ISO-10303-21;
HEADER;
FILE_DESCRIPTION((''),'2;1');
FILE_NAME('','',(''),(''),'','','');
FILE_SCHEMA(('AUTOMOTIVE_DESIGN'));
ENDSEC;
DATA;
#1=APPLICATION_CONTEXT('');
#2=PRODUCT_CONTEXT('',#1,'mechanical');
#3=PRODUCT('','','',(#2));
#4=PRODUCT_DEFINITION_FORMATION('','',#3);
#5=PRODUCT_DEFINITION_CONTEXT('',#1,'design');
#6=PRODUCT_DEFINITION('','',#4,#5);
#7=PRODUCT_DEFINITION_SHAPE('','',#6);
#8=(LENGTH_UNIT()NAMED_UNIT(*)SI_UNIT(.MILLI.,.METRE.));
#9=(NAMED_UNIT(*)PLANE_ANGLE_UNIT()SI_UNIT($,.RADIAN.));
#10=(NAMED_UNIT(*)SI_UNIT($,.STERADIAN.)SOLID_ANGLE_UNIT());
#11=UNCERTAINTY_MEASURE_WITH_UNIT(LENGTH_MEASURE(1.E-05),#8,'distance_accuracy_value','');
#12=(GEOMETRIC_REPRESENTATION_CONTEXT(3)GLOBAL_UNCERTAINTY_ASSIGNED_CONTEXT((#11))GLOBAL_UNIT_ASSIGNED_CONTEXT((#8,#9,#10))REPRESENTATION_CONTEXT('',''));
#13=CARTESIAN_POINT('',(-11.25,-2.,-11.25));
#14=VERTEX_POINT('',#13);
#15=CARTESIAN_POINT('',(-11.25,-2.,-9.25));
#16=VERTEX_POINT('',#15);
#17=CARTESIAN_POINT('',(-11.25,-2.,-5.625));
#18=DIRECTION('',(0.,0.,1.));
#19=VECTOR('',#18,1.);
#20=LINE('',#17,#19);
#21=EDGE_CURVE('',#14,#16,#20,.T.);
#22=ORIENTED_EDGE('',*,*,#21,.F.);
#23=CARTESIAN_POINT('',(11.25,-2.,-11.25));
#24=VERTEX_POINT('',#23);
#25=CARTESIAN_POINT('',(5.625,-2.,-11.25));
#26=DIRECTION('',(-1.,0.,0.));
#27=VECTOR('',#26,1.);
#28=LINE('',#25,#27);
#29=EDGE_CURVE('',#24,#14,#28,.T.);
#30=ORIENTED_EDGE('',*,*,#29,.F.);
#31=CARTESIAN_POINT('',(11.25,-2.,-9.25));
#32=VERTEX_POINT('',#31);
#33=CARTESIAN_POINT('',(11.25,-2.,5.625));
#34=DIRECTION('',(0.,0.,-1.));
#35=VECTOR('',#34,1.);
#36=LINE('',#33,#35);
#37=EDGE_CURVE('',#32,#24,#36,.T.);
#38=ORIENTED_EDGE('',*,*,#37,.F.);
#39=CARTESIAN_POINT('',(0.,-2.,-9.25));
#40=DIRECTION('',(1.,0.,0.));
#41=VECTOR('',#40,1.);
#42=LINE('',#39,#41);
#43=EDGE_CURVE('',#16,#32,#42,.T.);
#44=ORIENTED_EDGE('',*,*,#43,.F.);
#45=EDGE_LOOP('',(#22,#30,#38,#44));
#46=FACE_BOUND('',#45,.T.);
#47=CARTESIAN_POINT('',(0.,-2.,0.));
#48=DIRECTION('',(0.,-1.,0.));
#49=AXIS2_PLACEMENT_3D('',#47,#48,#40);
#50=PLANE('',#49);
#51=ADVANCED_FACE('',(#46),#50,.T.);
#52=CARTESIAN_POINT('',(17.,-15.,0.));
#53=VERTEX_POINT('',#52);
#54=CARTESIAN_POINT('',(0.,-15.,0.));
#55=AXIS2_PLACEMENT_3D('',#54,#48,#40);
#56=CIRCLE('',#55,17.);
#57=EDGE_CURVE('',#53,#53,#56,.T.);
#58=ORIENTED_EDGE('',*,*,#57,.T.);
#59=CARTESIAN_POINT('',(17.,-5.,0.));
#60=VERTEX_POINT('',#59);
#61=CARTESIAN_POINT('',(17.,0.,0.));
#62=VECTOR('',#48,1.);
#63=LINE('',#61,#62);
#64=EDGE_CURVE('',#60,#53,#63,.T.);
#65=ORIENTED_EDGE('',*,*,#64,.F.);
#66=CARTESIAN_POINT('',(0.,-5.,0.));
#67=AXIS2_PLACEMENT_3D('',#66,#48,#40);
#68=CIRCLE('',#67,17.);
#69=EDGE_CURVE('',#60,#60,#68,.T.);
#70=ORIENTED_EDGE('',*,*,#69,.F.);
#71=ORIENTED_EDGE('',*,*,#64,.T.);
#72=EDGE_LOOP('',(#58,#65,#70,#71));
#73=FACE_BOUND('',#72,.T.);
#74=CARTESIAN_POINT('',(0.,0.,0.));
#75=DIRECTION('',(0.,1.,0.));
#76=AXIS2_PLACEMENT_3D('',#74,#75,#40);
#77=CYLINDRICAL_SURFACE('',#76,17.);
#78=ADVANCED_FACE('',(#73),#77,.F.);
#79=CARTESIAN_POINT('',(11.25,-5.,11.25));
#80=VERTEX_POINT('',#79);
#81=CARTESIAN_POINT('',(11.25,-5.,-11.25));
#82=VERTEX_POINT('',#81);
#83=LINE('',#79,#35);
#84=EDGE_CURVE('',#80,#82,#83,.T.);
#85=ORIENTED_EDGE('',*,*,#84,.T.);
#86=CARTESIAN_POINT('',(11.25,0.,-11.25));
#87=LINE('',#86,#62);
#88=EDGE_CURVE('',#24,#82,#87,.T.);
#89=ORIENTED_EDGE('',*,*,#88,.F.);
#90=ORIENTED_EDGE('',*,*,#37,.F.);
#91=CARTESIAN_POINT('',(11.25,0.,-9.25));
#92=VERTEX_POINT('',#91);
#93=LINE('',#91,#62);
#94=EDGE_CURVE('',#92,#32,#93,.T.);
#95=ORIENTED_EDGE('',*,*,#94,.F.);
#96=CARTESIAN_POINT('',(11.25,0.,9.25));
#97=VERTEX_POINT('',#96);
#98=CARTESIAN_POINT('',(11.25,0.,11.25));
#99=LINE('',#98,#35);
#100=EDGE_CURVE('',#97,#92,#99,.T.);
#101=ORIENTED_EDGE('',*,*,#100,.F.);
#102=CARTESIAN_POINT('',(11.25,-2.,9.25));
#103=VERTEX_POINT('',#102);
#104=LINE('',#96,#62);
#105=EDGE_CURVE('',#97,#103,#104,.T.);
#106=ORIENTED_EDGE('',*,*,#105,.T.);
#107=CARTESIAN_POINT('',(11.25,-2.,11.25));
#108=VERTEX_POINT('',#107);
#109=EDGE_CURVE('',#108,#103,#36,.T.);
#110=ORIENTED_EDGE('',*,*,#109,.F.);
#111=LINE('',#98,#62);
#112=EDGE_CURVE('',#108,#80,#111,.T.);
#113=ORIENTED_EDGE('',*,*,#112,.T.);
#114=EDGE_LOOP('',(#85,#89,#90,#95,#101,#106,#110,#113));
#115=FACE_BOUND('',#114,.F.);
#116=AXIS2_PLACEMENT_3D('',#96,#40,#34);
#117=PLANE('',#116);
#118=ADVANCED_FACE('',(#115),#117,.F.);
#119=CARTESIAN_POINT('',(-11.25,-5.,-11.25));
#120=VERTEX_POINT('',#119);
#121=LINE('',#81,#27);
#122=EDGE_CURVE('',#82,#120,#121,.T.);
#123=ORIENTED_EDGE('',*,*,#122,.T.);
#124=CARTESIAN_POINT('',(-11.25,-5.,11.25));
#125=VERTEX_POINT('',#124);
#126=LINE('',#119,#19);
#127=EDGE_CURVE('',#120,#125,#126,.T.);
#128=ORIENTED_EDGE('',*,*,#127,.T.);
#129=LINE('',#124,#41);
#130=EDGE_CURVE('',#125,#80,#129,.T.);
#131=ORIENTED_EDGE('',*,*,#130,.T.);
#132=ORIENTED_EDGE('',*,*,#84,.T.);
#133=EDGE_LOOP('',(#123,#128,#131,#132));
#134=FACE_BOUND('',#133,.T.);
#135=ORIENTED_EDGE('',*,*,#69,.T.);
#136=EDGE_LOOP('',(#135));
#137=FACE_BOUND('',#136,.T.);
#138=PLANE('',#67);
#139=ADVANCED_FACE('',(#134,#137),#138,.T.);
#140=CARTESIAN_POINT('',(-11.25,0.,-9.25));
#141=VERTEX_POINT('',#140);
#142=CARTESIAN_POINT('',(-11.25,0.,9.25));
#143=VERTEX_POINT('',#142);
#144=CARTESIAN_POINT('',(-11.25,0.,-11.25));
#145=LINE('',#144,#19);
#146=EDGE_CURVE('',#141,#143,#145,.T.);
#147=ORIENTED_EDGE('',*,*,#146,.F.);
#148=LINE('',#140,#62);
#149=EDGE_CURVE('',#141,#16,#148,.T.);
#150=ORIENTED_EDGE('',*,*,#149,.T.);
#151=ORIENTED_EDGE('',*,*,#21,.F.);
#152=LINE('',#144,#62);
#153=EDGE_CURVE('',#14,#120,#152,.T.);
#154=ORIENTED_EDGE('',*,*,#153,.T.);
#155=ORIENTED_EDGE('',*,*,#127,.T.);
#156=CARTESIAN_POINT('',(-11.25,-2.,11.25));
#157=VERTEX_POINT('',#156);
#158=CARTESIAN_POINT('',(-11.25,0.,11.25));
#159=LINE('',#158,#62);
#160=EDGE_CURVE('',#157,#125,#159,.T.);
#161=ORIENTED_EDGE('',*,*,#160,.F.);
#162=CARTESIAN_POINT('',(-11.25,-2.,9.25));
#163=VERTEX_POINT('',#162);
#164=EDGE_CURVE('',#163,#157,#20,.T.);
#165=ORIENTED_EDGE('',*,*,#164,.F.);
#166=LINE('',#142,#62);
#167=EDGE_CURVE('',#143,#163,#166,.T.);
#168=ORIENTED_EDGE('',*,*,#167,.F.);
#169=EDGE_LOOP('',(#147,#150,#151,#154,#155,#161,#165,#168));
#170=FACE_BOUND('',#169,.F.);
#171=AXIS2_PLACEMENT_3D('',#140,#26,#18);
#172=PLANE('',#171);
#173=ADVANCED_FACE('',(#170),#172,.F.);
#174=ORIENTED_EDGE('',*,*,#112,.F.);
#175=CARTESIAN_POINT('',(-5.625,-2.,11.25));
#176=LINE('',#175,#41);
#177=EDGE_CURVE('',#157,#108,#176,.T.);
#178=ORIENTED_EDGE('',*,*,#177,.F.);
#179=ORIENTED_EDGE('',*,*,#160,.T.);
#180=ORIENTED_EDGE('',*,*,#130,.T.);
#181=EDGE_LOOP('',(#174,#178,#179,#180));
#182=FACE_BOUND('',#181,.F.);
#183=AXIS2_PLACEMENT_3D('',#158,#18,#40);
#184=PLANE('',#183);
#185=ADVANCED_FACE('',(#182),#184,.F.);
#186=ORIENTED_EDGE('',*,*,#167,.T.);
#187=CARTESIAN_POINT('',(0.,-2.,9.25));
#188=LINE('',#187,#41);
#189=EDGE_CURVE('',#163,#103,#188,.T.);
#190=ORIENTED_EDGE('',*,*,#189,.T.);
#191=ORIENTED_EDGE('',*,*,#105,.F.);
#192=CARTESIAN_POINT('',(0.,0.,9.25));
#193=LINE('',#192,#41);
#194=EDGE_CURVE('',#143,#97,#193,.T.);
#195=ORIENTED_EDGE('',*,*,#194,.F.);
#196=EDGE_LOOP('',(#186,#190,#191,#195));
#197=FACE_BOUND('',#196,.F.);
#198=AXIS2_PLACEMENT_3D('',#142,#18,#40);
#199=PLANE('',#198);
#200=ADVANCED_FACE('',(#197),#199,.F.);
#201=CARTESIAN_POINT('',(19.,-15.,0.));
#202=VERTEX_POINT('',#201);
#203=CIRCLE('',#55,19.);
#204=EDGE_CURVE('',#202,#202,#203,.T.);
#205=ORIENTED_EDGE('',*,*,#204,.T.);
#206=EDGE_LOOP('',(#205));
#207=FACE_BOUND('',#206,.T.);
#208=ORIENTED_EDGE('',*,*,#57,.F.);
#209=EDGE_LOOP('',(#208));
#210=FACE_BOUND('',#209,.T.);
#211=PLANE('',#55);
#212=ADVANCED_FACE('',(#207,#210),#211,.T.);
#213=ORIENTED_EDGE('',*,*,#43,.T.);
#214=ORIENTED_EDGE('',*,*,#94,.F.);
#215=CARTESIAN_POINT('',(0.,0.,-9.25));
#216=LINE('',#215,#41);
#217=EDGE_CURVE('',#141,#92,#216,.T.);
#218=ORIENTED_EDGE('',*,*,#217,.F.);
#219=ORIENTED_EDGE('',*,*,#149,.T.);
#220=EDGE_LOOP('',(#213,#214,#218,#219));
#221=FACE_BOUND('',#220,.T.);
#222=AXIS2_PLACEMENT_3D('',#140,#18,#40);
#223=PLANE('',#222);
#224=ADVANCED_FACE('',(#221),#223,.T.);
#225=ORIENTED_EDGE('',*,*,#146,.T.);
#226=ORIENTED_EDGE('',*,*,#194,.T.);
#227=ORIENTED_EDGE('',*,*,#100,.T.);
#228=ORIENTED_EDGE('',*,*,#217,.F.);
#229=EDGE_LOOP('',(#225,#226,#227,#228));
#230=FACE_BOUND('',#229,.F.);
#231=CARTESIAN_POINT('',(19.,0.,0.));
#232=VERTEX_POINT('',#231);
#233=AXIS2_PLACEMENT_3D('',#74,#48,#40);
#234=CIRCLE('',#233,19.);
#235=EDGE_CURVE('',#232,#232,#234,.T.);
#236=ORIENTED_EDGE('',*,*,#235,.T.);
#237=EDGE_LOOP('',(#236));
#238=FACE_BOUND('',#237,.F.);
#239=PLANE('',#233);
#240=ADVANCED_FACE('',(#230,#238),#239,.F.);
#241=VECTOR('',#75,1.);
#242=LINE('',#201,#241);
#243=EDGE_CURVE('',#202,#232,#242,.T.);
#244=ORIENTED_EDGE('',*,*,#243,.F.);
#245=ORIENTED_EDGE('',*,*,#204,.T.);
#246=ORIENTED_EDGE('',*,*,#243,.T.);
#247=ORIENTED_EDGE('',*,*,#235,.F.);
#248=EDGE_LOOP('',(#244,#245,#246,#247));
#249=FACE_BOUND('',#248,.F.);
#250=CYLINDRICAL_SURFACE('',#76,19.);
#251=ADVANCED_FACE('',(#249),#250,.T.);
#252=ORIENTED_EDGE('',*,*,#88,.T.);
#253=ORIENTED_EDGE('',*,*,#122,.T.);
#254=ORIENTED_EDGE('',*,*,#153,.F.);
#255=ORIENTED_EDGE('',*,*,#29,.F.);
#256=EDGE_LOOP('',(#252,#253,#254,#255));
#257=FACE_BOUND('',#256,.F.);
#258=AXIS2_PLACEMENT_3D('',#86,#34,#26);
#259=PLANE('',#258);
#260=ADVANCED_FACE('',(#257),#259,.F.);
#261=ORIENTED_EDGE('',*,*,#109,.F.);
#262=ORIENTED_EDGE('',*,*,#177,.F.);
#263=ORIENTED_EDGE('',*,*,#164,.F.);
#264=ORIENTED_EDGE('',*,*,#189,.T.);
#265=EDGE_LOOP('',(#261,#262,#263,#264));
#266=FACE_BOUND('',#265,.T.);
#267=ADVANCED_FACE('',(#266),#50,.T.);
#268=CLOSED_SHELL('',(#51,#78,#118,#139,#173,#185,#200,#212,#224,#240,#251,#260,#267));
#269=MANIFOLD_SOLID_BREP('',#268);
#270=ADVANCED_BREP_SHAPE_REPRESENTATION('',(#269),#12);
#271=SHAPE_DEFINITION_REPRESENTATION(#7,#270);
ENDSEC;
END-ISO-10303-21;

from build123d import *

# Parameters (mm, degrees)
F0_R     = 17
F1_DEPTH = 5
F0_R_2   = 19
F0_W     = 22.5
F0_H     = 2
F2_DEPTH = 2
F3_DEPTH = 2
F4_DEPTH = 15


with BuildPart() as f1:
    # F0 (on Front) → F1 (new body)
    with BuildSketch(Plane.XZ):
        Circle(F0_R)
        Polygon((11.25, -9.25), (11.25, -11.25), (-11.25, -11.25), (-11.25, -9.25), (-11.25, 9.25), (-11.25, 11.25), (11.25, 11.25), (11.25, 9.25), align=None, mode=Mode.SUBTRACT)
    extrude(amount=F1_DEPTH)

    # F0 (on Front) → F2 (join)
    with BuildSketch(Plane.XZ):
        Circle(F0_R_2)
        Circle(F0_R, mode=Mode.SUBTRACT)
        Circle(F0_R)
        Polygon((11.25, -9.25), (11.25, -11.25), (-11.25, -11.25), (-11.25, -9.25), (-11.25, 9.25), (-11.25, 11.25), (11.25, 11.25), (11.25, 9.25), align=None, mode=Mode.SUBTRACT)
        with Locations((0, 10.25)):
            Rectangle(F0_W, F0_H)
        with Locations((0, -10.25)):
            Rectangle(F0_W, F0_H)
    extrude(amount=F2_DEPTH)

    # F0 (on Front) → F3 (join)
    with BuildSketch(Plane.XZ):
        with Locations((0, -10.25)):
            Rectangle(F0_W, F0_H)
    extrude(amount=F3_DEPTH)

    # F0 (on Front) → F4 (join)
    with BuildSketch(Plane.XZ):
        Circle(F0_R_2)
        Circle(F0_R, mode=Mode.SUBTRACT)
    extrude(amount=F4_DEPTH)


solid = f1.part
